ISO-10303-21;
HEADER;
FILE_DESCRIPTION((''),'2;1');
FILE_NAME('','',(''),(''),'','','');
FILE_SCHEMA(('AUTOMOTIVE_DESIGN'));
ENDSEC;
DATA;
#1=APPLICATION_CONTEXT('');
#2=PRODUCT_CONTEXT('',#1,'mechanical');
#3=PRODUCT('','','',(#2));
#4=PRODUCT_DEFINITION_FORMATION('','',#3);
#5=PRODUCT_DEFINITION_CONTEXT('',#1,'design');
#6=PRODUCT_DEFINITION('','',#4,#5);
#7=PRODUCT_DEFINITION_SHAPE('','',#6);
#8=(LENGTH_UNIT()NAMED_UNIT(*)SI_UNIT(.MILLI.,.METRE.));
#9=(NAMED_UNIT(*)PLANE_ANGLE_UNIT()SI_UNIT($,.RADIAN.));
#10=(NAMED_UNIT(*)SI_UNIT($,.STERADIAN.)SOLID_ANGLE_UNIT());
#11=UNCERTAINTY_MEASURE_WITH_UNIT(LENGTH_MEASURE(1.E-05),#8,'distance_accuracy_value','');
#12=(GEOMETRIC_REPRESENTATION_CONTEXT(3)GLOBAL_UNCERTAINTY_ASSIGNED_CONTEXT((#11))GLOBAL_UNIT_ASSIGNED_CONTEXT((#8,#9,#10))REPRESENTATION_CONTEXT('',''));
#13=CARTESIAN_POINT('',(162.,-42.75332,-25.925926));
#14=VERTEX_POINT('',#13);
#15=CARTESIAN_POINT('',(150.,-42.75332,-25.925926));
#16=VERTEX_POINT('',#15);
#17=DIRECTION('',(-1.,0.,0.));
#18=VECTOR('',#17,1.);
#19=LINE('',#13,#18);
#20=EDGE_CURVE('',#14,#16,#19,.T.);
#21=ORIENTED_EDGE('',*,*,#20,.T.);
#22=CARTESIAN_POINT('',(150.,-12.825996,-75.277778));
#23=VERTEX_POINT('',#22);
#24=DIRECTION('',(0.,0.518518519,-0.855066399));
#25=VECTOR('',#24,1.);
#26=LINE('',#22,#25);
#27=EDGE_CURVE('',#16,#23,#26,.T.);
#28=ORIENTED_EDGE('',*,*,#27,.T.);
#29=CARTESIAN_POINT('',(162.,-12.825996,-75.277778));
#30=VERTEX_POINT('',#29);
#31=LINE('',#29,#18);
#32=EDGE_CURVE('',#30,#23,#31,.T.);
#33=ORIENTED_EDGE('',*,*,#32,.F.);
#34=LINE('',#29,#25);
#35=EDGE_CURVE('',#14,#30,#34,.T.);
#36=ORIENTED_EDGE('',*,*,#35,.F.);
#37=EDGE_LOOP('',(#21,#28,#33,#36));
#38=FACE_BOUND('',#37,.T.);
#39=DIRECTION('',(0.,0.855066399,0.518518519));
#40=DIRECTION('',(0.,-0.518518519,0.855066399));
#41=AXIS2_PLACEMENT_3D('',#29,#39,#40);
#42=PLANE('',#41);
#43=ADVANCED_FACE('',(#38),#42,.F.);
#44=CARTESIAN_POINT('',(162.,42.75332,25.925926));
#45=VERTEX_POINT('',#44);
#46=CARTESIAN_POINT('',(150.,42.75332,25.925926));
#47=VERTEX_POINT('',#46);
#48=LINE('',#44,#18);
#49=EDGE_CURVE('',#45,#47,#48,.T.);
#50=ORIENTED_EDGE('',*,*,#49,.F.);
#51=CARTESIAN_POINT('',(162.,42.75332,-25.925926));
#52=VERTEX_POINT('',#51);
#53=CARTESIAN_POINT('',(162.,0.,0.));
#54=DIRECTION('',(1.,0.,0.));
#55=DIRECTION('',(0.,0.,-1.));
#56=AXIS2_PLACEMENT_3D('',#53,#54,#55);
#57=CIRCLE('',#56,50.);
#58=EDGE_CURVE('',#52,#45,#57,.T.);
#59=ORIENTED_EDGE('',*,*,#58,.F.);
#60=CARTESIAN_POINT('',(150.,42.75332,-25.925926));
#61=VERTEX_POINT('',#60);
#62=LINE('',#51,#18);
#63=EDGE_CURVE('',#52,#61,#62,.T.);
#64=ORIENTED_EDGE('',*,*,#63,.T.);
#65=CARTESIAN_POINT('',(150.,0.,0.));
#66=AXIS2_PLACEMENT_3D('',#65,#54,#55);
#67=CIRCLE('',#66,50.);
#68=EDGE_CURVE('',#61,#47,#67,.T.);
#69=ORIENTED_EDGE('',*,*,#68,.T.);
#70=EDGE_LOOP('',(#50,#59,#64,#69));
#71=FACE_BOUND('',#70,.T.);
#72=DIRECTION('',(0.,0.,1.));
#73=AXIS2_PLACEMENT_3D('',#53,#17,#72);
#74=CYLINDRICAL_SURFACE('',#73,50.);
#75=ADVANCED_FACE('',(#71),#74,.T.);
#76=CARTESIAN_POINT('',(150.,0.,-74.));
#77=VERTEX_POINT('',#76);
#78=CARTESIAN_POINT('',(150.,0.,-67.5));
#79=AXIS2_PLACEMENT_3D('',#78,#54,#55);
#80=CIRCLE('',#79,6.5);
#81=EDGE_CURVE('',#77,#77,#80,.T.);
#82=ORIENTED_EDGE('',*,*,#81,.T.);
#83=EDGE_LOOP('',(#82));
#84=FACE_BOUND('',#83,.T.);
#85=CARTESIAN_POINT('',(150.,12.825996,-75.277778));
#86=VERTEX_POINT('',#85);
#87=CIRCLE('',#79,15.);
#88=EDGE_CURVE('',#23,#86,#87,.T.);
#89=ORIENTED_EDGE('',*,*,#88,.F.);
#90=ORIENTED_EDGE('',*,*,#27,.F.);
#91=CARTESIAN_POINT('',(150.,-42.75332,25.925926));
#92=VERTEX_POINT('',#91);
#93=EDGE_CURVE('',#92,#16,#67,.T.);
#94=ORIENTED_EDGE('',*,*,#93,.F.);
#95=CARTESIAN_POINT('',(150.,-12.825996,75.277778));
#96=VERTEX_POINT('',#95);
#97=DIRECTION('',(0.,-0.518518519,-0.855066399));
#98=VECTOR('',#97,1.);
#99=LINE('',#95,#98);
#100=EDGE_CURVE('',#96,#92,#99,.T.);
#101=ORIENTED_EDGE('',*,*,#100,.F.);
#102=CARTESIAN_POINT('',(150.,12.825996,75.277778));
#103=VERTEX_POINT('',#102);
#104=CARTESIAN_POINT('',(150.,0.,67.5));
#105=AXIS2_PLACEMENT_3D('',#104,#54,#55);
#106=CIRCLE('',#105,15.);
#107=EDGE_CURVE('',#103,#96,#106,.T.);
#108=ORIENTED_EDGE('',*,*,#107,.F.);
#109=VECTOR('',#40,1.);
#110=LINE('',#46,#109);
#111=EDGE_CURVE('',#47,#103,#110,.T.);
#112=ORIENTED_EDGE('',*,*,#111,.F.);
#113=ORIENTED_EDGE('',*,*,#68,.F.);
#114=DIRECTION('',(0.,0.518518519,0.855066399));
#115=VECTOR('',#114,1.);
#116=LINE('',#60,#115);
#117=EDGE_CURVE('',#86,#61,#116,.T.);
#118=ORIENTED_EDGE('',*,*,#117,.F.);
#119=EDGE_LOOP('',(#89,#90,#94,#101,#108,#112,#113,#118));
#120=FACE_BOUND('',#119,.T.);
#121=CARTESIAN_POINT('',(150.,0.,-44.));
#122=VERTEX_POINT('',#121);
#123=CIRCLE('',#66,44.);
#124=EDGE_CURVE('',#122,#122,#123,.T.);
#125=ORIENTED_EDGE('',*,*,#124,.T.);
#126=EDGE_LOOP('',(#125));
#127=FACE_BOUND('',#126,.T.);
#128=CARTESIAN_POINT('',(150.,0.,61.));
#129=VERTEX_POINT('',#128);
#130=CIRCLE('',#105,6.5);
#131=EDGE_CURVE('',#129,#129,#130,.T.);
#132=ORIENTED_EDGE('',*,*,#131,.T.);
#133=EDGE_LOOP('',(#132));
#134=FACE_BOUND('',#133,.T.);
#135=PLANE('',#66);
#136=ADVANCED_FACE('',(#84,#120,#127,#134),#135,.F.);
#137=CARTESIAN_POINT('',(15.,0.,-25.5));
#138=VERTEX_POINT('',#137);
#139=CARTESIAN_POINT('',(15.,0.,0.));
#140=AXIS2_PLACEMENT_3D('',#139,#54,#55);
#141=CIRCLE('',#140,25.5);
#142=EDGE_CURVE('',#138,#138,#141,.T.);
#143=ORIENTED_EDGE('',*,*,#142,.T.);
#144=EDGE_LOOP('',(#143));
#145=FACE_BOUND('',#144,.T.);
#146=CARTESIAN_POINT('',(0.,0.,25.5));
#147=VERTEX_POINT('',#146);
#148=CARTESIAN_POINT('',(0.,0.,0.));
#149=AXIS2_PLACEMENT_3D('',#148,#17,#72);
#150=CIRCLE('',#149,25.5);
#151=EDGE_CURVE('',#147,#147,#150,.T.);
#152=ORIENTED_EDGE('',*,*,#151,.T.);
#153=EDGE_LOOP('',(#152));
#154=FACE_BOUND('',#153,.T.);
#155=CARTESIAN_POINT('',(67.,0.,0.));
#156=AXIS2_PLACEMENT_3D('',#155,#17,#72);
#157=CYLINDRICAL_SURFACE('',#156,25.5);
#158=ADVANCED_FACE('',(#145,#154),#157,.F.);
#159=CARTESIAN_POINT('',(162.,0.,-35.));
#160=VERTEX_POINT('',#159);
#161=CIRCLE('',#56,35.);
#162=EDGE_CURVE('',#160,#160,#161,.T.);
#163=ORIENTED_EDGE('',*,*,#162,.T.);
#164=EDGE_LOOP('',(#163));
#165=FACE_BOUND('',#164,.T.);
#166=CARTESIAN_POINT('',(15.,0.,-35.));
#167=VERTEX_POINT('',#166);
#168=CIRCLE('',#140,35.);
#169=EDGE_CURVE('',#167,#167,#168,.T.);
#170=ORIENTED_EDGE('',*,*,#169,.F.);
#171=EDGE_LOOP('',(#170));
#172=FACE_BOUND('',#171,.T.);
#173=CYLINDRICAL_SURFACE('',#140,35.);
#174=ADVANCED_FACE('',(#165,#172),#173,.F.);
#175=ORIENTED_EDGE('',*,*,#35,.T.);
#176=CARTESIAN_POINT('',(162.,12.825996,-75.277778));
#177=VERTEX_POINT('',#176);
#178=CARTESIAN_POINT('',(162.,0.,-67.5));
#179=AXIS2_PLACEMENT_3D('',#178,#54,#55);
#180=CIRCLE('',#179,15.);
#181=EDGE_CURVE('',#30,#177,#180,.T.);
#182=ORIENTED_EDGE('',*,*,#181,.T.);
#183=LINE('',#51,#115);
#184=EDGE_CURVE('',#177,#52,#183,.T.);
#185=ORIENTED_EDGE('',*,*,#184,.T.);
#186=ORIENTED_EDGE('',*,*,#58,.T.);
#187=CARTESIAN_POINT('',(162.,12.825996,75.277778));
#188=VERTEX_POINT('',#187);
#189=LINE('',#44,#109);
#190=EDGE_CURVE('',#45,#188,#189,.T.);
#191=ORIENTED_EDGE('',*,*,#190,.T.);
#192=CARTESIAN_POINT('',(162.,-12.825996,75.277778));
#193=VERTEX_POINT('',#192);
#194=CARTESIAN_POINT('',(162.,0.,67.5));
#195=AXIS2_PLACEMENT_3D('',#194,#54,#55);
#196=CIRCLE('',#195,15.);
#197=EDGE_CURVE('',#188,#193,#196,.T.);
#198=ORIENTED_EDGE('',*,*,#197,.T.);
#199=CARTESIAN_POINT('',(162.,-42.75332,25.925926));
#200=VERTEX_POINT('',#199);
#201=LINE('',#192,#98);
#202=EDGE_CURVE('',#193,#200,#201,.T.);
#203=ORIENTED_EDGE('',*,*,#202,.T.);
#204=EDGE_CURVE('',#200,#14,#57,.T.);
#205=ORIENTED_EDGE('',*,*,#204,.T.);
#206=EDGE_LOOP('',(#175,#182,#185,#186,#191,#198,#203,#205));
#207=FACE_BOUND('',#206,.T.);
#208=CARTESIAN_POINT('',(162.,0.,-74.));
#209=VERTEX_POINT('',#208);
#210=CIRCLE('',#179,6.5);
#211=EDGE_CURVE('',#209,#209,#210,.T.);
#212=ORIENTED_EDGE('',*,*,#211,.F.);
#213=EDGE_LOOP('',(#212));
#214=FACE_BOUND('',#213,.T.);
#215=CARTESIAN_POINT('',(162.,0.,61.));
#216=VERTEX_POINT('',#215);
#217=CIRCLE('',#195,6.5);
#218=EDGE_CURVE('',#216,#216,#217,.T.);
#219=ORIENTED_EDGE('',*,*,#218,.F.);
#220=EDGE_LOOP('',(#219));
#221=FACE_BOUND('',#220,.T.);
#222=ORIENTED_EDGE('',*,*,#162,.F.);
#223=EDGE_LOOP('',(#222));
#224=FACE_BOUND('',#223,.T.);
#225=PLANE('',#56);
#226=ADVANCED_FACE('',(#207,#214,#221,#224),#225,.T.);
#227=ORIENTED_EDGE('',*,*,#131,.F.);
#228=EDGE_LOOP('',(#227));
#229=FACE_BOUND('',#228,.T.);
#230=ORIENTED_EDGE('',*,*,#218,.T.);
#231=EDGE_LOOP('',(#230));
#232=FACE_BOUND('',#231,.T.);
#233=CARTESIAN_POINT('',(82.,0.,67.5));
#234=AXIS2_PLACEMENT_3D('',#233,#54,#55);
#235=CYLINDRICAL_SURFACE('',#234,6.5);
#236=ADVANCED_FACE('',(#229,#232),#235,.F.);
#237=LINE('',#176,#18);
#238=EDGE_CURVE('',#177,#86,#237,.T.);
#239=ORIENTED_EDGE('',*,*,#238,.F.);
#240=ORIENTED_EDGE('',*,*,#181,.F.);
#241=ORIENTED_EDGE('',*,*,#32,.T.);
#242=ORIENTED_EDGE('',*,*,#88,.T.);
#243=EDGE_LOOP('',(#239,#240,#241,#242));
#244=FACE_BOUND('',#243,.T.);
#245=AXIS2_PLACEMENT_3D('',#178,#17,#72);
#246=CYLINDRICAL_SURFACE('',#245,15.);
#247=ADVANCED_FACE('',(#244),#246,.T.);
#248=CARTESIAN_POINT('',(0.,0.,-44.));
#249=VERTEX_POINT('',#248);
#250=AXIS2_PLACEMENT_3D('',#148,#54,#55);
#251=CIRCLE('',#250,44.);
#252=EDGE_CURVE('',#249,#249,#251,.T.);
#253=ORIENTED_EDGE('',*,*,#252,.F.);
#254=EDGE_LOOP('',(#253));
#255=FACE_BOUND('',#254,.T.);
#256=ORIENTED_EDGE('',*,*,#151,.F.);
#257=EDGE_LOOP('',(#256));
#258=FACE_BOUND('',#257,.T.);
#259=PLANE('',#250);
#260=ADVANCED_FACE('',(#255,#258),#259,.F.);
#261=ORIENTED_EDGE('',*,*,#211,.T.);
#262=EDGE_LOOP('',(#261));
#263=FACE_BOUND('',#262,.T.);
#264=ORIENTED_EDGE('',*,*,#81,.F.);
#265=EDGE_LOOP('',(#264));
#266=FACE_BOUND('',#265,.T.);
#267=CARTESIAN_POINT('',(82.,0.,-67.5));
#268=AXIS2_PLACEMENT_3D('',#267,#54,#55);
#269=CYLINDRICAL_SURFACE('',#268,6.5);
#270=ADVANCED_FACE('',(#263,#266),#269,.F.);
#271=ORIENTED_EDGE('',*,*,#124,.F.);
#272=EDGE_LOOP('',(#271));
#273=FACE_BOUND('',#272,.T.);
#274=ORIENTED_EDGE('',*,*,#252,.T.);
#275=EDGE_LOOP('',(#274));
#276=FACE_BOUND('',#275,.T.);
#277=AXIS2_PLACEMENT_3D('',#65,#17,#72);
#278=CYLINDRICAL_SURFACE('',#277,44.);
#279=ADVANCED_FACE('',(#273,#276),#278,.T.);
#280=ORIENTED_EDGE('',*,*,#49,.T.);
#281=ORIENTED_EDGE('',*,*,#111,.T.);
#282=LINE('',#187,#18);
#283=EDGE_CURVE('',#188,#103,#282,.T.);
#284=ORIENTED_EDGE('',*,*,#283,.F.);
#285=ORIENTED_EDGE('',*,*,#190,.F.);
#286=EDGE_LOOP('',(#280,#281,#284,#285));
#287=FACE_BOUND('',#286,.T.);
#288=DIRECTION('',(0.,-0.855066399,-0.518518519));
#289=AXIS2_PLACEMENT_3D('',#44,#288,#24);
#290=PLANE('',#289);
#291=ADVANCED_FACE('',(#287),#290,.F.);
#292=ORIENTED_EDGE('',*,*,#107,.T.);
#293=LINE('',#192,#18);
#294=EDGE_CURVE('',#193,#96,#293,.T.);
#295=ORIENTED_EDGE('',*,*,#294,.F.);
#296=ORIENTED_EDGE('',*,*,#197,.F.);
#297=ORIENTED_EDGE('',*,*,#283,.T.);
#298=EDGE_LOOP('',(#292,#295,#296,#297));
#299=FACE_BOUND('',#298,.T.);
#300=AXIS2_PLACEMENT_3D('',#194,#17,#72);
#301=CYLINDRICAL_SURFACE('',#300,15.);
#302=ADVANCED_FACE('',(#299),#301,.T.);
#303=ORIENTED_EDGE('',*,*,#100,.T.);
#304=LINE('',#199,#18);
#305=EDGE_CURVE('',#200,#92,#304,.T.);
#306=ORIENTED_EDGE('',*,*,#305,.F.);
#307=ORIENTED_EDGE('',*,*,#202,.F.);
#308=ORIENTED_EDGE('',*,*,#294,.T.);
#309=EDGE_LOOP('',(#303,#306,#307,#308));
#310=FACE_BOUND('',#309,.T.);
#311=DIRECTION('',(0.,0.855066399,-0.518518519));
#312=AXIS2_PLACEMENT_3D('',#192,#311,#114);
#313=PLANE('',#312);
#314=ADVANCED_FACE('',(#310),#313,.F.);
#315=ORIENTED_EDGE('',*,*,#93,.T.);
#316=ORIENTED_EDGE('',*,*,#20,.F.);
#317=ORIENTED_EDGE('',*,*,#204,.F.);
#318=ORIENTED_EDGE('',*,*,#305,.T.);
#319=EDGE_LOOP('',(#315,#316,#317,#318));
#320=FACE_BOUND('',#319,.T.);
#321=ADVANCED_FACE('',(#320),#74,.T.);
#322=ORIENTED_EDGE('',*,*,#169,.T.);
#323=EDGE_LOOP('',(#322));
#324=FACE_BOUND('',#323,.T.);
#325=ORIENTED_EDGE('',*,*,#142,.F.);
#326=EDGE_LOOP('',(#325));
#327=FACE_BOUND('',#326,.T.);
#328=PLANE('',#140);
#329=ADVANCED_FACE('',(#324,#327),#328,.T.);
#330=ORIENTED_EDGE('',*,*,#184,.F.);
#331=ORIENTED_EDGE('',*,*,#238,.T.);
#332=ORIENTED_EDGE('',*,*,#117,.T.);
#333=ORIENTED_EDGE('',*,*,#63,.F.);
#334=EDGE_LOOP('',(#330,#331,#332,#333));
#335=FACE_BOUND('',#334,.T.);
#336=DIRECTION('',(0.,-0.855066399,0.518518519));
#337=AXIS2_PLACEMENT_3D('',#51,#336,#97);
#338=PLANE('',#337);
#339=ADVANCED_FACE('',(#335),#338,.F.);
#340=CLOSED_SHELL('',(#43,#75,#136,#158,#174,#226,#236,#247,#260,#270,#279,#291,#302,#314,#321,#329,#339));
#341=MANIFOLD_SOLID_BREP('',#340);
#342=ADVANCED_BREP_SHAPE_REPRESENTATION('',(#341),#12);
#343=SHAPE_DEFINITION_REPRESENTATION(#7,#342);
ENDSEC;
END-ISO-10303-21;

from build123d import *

# Parameters (mm, degrees)
SKETCH1_R           = 44
BOSS_EXTRUDE1_DEPTH = 150
BOSS_EXTRUDE2_DEPTH = 12
SKETCH5_R           = 6.5
CUT_EXTRUDE3_DEPTH  = 80
SKETCH6_R           = 35
CUT_EXTRUDE4_DEPTH  = 147
SKETCH7_R           = 25.5
CUT_EXTRUDE5_DEPTH  = 67


with BuildPart() as part:
    # Sketch1 → Boss-Extrude1 (new body)
    with BuildSketch(Plane(origin=(0, 0, 0), x_dir=(0, 0, -1), z_dir=(1, 0, 0))):
        Circle(SKETCH1_R)
    extrude(amount=BOSS_EXTRUDE1_DEPTH)

    # Sketch2 → Boss-Extrude2 (add)
    with BuildSketch(Plane(origin=(150, 0, 0), x_dir=(0, 0, -1), z_dir=(1, 0, 0))):
        with BuildLine():
            Line((-25.925925926, 42.753319928), (-75.277777778, 12.825995978))
            ThreePointArc((-75.277777778, 12.825995978), (-82.5, 0), (-75.277777778, -12.825995978))
            Line((-75.277777778, -12.825995978), (-25.925925926, -42.753319928))
            ThreePointArc((-25.925925926, -42.753319928), (0, -50), (25.925925926, -42.753319928))
            Line((25.925925926, -42.753319928), (75.277777778, -12.825995978))
            ThreePointArc((75.277777778, -12.825995978), (82.5, 0), (75.277777778, 12.825995978))
            Line((75.277777778, 12.825995978), (25.925925926, 42.753319928))
            ThreePointArc((25.925925926, 42.753319928), (0, 50), (-25.925925926, 42.753319928))
        make_face()
    extrude(amount=BOSS_EXTRUDE2_DEPTH)

    # Sketch5 → Cut-Extrude3 (cut)
    with BuildSketch(Plane(origin=(162, 0, 0), x_dir=(0, 0, -1), z_dir=(1, 0, 0))):
        with Locations((67.5, 0)):
            Circle(SKETCH5_R)
        with Locations((-67.5, 0)):
            Circle(SKETCH5_R)
    extrude(amount=-CUT_EXTRUDE3_DEPTH, mode=Mode.SUBTRACT)

    # Sketch6 → Cut-Extrude4 (cut)
    with BuildSketch(Plane(origin=(162, 0, 0), x_dir=(0, 0, -1), z_dir=(1, 0, 0))):
        Circle(SKETCH6_R)
    extrude(amount=-CUT_EXTRUDE4_DEPTH, mode=Mode.SUBTRACT)

    # Sketch7 → Cut-Extrude5 (cut)
    with BuildSketch(Plane.ZY):
        Circle(SKETCH7_R)
    extrude(amount=-CUT_EXTRUDE5_DEPTH, mode=Mode.SUBTRACT)


solid = part.part
